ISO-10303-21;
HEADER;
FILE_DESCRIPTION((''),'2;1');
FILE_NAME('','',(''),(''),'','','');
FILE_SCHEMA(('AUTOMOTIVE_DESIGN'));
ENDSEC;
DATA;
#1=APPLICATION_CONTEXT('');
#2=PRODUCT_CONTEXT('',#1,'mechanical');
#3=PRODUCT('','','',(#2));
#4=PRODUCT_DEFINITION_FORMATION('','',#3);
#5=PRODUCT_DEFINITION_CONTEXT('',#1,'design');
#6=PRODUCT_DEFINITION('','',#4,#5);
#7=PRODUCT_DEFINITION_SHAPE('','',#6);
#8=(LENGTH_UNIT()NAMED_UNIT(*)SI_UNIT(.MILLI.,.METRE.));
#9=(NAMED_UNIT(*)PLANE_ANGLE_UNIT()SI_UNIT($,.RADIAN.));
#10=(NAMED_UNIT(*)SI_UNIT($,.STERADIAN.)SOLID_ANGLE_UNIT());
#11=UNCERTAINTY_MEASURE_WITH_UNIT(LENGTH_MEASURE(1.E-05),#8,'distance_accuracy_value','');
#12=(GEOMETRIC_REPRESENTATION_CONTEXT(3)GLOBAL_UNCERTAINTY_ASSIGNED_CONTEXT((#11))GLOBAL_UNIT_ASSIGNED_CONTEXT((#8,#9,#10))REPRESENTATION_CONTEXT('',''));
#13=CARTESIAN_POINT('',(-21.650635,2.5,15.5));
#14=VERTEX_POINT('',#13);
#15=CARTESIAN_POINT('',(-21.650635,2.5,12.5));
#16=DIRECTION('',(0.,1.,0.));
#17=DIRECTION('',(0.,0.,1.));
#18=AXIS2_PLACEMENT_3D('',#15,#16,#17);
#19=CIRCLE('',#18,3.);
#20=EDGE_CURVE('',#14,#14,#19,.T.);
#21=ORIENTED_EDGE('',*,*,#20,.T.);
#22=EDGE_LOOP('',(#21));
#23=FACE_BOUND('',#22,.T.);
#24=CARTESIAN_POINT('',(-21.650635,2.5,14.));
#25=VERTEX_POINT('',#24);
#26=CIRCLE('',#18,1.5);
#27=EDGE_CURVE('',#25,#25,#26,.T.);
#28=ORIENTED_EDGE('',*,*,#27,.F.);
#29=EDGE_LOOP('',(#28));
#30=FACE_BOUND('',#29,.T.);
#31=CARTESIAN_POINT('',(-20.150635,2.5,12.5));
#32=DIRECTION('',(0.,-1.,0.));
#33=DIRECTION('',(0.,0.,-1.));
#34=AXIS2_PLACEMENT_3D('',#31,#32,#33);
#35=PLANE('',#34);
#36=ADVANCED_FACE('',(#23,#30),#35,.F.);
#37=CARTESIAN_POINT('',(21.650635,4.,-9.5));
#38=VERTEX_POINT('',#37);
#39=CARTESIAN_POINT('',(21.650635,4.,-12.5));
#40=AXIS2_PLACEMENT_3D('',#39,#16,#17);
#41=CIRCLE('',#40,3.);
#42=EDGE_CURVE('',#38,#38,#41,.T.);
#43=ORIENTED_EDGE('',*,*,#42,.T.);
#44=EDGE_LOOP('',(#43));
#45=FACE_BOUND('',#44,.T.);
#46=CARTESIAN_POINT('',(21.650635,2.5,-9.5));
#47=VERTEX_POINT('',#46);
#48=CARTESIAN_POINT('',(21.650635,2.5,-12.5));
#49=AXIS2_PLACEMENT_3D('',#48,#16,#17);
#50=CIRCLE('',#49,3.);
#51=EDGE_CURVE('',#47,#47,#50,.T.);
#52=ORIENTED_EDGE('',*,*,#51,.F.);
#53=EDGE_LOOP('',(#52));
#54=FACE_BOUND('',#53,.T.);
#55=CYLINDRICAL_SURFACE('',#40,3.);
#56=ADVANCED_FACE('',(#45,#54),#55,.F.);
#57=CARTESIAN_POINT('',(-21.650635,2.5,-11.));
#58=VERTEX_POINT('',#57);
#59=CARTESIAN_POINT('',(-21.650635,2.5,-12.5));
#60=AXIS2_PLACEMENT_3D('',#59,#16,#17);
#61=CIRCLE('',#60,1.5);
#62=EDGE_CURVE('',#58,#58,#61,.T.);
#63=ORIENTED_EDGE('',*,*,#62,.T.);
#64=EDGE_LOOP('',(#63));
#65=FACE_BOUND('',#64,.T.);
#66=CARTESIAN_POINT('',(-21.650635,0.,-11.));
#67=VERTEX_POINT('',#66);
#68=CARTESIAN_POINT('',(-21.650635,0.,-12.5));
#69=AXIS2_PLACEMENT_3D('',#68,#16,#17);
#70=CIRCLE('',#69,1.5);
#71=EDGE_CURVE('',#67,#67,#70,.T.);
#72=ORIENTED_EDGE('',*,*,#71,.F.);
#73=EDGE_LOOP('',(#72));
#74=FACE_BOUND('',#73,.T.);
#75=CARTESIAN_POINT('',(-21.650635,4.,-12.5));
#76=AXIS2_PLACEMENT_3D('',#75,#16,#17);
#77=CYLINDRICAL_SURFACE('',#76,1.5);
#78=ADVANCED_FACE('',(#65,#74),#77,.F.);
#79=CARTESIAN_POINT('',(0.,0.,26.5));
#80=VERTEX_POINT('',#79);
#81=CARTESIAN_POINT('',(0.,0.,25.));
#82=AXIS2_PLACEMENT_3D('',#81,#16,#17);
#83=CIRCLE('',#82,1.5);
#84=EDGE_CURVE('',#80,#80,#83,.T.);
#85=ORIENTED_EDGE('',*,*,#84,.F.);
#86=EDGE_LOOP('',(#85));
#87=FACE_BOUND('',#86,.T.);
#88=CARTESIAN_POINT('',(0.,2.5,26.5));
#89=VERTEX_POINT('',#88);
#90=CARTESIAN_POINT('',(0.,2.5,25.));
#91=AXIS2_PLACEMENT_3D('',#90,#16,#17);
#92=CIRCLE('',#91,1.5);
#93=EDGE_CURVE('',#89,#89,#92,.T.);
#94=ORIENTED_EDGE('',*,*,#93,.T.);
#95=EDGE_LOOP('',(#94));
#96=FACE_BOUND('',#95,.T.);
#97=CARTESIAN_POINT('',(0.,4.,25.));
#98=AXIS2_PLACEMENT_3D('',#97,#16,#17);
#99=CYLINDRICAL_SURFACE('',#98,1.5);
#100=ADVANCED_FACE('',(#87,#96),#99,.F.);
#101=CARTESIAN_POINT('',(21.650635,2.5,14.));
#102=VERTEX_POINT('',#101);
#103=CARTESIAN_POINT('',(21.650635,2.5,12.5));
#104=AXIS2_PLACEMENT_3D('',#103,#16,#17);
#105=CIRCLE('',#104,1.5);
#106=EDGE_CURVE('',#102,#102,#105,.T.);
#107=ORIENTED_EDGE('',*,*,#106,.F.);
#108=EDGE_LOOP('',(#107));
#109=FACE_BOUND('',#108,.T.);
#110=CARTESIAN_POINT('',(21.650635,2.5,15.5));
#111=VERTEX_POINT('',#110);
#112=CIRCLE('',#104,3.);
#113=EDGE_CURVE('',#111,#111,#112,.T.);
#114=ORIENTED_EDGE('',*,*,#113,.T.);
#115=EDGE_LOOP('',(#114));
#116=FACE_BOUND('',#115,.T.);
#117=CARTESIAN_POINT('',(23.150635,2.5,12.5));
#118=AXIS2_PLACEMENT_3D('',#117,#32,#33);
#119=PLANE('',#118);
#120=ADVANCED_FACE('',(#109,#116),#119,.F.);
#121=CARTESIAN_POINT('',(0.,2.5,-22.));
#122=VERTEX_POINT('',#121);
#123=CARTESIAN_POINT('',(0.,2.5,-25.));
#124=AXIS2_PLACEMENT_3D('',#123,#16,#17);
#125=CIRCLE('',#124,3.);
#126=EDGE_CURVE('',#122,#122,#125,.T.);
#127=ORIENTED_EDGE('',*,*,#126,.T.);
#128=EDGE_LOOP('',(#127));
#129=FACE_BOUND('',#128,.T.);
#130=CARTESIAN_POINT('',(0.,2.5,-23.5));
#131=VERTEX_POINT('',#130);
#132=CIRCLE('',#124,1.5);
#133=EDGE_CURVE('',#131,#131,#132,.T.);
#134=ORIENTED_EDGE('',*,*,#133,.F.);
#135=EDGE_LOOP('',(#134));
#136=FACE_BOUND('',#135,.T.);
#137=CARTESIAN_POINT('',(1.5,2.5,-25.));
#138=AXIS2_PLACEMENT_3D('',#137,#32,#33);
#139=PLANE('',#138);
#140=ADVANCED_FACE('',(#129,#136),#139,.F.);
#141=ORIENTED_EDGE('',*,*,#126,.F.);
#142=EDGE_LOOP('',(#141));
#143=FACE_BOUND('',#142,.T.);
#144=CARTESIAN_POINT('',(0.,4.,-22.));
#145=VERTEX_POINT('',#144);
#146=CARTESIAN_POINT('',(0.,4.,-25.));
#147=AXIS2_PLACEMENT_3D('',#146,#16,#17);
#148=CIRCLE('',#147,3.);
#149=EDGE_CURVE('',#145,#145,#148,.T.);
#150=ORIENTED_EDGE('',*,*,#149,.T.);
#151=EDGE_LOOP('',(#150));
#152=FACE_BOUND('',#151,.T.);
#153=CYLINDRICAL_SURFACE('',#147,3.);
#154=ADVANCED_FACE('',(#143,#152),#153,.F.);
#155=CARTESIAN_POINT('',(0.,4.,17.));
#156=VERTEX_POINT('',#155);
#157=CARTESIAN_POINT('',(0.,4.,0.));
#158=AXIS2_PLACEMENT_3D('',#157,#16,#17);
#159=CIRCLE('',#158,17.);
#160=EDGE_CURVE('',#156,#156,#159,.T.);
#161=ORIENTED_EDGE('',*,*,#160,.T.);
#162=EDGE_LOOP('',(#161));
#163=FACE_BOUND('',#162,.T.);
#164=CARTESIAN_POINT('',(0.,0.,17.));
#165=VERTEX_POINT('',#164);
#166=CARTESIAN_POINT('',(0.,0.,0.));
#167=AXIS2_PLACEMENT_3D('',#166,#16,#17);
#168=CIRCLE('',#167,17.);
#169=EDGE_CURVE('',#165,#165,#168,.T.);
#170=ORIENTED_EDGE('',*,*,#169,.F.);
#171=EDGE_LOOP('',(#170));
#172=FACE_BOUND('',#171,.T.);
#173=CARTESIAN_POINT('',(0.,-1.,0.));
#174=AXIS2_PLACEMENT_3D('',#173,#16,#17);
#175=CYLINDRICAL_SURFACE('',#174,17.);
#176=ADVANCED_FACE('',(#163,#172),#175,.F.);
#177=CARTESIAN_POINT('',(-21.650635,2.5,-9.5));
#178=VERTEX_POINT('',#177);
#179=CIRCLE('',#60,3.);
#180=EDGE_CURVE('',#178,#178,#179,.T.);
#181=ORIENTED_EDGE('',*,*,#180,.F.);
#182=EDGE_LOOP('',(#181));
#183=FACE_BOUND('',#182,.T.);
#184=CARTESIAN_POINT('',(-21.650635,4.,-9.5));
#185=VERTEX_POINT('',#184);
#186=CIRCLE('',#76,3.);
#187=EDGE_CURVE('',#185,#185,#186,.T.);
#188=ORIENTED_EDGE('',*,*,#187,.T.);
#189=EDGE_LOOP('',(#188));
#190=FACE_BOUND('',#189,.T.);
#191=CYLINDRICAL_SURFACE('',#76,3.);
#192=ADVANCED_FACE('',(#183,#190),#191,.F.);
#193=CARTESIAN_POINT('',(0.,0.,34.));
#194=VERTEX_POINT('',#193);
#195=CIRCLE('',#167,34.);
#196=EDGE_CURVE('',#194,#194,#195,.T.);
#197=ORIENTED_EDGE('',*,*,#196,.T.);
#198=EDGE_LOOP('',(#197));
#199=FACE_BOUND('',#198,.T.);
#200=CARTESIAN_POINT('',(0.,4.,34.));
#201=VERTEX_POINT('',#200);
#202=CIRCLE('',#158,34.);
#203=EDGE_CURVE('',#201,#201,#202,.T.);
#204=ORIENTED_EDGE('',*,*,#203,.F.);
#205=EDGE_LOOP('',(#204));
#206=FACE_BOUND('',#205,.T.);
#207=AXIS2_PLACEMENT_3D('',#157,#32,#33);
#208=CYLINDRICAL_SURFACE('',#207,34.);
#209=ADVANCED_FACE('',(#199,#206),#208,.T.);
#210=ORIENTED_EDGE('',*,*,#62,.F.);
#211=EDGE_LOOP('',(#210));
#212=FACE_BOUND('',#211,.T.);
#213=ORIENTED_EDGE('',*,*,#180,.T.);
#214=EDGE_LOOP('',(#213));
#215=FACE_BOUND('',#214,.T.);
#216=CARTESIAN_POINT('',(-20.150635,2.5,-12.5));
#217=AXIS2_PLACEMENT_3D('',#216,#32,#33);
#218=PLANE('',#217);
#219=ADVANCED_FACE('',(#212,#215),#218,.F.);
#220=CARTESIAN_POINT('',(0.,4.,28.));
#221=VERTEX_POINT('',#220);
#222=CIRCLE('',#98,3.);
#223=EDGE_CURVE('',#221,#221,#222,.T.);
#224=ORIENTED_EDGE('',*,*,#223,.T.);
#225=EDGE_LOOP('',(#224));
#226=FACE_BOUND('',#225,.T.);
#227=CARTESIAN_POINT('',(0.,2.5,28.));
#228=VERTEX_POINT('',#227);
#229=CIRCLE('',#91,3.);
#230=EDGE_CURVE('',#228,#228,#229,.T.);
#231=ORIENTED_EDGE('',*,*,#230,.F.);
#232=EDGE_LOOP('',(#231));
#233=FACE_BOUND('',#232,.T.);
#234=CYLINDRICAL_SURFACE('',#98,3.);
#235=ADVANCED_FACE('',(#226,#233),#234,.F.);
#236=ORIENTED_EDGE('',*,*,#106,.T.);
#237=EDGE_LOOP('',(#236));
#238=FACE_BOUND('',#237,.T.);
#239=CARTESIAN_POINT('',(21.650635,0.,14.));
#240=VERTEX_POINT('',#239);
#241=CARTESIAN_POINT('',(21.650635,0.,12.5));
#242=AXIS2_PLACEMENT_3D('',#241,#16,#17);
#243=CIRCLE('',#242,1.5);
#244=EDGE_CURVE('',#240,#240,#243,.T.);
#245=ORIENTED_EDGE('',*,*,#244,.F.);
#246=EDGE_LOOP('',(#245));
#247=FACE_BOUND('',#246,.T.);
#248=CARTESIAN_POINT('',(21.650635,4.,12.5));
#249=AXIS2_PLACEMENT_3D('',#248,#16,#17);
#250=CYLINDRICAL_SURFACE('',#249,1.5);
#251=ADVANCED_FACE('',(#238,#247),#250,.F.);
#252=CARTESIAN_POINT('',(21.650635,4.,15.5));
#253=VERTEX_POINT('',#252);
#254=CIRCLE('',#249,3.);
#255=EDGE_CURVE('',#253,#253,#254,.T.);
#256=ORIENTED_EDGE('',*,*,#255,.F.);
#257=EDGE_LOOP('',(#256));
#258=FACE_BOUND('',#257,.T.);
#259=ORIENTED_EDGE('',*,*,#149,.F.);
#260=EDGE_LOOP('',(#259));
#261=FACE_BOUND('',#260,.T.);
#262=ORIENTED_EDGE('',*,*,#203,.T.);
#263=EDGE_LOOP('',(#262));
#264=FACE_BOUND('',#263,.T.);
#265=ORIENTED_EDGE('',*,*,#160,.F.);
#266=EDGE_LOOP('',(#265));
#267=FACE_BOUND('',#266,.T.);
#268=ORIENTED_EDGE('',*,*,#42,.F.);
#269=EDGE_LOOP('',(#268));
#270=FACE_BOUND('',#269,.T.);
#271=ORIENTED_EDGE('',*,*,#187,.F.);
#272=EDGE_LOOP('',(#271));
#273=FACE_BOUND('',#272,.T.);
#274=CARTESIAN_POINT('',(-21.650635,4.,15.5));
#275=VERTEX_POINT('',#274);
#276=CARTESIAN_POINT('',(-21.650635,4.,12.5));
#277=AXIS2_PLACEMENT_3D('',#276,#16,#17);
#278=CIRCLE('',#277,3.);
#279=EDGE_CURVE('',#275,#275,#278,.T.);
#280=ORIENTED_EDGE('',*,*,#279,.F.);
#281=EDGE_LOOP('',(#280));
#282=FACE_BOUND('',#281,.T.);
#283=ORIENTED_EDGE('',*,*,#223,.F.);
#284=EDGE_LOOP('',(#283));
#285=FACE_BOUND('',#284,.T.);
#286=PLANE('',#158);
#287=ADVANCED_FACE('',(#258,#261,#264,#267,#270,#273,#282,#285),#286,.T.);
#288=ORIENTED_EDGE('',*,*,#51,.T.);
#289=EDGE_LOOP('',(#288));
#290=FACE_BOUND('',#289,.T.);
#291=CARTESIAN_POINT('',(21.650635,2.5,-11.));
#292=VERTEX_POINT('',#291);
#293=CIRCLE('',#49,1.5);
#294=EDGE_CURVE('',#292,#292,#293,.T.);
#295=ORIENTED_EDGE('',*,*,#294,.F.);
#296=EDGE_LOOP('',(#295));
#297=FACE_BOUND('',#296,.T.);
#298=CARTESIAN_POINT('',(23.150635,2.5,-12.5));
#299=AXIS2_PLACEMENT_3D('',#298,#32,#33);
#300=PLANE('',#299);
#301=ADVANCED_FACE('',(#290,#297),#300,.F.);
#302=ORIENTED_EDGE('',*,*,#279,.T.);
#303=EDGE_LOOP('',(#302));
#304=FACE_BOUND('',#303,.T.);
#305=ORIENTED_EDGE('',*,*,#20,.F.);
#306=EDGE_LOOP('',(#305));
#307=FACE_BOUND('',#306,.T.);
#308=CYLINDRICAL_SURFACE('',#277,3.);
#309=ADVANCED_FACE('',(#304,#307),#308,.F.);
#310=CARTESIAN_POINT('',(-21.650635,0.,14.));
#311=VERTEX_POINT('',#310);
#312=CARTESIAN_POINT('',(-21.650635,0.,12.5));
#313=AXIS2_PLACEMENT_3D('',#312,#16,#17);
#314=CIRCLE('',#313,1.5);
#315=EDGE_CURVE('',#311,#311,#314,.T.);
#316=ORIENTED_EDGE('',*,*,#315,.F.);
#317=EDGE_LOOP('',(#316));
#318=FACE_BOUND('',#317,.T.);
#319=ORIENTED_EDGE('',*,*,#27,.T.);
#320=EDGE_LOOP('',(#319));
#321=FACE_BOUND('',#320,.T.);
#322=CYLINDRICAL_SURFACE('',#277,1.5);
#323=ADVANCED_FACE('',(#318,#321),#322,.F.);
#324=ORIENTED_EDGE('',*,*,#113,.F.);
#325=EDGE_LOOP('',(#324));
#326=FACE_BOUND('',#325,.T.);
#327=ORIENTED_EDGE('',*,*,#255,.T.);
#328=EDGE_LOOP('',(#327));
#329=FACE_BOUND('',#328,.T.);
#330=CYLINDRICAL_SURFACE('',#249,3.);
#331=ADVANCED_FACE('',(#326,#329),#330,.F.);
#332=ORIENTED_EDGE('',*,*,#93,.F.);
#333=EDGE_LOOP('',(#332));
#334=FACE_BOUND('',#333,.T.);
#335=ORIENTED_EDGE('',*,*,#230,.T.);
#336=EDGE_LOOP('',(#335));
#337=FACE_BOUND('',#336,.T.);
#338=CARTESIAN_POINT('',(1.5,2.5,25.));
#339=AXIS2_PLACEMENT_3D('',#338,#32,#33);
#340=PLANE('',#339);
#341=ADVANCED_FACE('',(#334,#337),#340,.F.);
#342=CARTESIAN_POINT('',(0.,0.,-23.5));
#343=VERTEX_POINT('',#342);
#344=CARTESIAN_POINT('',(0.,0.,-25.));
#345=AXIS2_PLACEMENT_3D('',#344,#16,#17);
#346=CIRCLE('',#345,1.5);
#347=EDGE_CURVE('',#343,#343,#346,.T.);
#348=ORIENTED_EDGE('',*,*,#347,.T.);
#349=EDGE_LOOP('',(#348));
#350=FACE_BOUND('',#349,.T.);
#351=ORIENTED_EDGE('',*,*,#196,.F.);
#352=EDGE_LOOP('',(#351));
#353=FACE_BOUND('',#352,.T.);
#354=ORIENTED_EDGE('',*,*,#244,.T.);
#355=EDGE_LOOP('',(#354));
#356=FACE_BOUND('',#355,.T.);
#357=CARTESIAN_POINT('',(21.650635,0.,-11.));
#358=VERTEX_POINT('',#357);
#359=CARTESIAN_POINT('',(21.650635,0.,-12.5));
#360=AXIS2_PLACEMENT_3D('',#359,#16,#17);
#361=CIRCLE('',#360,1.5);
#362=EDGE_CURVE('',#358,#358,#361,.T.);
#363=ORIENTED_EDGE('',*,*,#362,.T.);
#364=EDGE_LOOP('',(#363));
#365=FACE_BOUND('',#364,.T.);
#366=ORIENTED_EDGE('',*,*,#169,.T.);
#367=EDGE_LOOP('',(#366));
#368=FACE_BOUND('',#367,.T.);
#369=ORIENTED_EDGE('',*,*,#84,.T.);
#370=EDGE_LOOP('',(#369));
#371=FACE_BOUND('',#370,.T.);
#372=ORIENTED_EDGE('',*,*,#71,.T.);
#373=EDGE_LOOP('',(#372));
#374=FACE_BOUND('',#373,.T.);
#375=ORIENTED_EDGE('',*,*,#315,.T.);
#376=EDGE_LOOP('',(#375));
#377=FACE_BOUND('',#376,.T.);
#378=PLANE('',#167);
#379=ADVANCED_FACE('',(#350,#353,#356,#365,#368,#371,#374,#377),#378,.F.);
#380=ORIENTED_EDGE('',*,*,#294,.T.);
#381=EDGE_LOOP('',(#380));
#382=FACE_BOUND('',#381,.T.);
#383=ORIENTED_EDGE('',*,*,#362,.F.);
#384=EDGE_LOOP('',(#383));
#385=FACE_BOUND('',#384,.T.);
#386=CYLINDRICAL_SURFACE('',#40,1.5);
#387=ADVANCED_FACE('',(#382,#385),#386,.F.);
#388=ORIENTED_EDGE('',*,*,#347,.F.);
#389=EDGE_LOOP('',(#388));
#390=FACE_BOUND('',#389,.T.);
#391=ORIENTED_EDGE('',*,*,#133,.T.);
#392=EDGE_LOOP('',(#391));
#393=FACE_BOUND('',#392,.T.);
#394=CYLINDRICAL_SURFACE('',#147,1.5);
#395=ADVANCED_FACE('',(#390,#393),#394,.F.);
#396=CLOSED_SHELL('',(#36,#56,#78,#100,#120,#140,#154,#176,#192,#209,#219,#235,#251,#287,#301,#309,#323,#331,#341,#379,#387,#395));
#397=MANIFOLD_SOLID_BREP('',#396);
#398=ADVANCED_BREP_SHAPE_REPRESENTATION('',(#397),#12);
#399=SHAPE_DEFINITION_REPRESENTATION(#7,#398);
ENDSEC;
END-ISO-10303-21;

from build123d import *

# Parameters (mm, degrees)
SKETCH1_R           = 34
BOSS_EXTRUDE1_DEPTH = 4
HOLE1_D             = 3
HOLE1_DEPTH         = 5
HOLE1_CBORE_D       = 6
HOLE1_CBORE_DEPTH   = 1.5
SKETCH2_R           = 17
CUT_EXTRUDE1_DEPTH  = 5


with BuildPart() as part:
    # Sketch1 → Boss-Extrude1 (new body)
    with BuildSketch(Plane(origin=(0, 0, 0), x_dir=(1, 0, 0), z_dir=(0, 1, 0))):
        Circle(SKETCH1_R)
    extrude(amount=BOSS_EXTRUDE1_DEPTH)

    # Hole1
    with Locations(Plane(origin=(0, 4, -25), x_dir=(0, 0, 1), z_dir=(0, 1, 0))):
        with Locations((0, 0), (12.5, 21.650635095), (37.5, 21.650635095), (50, 0), (37.5, -21.650635095), (12.5, -21.650635095)):
            CounterBoreHole(HOLE1_D / 2, HOLE1_CBORE_D / 2, HOLE1_CBORE_DEPTH, depth=HOLE1_DEPTH)

    # Sketch2 → Cut-Extrude1 (cut)
    with BuildSketch(Plane(origin=(0, 4, 0), x_dir=(1, 0, 0), z_dir=(0, 1, 0))):
        Circle(SKETCH2_R)
    extrude(amount=-CUT_EXTRUDE1_DEPTH, mode=Mode.SUBTRACT)


solid = part.part
